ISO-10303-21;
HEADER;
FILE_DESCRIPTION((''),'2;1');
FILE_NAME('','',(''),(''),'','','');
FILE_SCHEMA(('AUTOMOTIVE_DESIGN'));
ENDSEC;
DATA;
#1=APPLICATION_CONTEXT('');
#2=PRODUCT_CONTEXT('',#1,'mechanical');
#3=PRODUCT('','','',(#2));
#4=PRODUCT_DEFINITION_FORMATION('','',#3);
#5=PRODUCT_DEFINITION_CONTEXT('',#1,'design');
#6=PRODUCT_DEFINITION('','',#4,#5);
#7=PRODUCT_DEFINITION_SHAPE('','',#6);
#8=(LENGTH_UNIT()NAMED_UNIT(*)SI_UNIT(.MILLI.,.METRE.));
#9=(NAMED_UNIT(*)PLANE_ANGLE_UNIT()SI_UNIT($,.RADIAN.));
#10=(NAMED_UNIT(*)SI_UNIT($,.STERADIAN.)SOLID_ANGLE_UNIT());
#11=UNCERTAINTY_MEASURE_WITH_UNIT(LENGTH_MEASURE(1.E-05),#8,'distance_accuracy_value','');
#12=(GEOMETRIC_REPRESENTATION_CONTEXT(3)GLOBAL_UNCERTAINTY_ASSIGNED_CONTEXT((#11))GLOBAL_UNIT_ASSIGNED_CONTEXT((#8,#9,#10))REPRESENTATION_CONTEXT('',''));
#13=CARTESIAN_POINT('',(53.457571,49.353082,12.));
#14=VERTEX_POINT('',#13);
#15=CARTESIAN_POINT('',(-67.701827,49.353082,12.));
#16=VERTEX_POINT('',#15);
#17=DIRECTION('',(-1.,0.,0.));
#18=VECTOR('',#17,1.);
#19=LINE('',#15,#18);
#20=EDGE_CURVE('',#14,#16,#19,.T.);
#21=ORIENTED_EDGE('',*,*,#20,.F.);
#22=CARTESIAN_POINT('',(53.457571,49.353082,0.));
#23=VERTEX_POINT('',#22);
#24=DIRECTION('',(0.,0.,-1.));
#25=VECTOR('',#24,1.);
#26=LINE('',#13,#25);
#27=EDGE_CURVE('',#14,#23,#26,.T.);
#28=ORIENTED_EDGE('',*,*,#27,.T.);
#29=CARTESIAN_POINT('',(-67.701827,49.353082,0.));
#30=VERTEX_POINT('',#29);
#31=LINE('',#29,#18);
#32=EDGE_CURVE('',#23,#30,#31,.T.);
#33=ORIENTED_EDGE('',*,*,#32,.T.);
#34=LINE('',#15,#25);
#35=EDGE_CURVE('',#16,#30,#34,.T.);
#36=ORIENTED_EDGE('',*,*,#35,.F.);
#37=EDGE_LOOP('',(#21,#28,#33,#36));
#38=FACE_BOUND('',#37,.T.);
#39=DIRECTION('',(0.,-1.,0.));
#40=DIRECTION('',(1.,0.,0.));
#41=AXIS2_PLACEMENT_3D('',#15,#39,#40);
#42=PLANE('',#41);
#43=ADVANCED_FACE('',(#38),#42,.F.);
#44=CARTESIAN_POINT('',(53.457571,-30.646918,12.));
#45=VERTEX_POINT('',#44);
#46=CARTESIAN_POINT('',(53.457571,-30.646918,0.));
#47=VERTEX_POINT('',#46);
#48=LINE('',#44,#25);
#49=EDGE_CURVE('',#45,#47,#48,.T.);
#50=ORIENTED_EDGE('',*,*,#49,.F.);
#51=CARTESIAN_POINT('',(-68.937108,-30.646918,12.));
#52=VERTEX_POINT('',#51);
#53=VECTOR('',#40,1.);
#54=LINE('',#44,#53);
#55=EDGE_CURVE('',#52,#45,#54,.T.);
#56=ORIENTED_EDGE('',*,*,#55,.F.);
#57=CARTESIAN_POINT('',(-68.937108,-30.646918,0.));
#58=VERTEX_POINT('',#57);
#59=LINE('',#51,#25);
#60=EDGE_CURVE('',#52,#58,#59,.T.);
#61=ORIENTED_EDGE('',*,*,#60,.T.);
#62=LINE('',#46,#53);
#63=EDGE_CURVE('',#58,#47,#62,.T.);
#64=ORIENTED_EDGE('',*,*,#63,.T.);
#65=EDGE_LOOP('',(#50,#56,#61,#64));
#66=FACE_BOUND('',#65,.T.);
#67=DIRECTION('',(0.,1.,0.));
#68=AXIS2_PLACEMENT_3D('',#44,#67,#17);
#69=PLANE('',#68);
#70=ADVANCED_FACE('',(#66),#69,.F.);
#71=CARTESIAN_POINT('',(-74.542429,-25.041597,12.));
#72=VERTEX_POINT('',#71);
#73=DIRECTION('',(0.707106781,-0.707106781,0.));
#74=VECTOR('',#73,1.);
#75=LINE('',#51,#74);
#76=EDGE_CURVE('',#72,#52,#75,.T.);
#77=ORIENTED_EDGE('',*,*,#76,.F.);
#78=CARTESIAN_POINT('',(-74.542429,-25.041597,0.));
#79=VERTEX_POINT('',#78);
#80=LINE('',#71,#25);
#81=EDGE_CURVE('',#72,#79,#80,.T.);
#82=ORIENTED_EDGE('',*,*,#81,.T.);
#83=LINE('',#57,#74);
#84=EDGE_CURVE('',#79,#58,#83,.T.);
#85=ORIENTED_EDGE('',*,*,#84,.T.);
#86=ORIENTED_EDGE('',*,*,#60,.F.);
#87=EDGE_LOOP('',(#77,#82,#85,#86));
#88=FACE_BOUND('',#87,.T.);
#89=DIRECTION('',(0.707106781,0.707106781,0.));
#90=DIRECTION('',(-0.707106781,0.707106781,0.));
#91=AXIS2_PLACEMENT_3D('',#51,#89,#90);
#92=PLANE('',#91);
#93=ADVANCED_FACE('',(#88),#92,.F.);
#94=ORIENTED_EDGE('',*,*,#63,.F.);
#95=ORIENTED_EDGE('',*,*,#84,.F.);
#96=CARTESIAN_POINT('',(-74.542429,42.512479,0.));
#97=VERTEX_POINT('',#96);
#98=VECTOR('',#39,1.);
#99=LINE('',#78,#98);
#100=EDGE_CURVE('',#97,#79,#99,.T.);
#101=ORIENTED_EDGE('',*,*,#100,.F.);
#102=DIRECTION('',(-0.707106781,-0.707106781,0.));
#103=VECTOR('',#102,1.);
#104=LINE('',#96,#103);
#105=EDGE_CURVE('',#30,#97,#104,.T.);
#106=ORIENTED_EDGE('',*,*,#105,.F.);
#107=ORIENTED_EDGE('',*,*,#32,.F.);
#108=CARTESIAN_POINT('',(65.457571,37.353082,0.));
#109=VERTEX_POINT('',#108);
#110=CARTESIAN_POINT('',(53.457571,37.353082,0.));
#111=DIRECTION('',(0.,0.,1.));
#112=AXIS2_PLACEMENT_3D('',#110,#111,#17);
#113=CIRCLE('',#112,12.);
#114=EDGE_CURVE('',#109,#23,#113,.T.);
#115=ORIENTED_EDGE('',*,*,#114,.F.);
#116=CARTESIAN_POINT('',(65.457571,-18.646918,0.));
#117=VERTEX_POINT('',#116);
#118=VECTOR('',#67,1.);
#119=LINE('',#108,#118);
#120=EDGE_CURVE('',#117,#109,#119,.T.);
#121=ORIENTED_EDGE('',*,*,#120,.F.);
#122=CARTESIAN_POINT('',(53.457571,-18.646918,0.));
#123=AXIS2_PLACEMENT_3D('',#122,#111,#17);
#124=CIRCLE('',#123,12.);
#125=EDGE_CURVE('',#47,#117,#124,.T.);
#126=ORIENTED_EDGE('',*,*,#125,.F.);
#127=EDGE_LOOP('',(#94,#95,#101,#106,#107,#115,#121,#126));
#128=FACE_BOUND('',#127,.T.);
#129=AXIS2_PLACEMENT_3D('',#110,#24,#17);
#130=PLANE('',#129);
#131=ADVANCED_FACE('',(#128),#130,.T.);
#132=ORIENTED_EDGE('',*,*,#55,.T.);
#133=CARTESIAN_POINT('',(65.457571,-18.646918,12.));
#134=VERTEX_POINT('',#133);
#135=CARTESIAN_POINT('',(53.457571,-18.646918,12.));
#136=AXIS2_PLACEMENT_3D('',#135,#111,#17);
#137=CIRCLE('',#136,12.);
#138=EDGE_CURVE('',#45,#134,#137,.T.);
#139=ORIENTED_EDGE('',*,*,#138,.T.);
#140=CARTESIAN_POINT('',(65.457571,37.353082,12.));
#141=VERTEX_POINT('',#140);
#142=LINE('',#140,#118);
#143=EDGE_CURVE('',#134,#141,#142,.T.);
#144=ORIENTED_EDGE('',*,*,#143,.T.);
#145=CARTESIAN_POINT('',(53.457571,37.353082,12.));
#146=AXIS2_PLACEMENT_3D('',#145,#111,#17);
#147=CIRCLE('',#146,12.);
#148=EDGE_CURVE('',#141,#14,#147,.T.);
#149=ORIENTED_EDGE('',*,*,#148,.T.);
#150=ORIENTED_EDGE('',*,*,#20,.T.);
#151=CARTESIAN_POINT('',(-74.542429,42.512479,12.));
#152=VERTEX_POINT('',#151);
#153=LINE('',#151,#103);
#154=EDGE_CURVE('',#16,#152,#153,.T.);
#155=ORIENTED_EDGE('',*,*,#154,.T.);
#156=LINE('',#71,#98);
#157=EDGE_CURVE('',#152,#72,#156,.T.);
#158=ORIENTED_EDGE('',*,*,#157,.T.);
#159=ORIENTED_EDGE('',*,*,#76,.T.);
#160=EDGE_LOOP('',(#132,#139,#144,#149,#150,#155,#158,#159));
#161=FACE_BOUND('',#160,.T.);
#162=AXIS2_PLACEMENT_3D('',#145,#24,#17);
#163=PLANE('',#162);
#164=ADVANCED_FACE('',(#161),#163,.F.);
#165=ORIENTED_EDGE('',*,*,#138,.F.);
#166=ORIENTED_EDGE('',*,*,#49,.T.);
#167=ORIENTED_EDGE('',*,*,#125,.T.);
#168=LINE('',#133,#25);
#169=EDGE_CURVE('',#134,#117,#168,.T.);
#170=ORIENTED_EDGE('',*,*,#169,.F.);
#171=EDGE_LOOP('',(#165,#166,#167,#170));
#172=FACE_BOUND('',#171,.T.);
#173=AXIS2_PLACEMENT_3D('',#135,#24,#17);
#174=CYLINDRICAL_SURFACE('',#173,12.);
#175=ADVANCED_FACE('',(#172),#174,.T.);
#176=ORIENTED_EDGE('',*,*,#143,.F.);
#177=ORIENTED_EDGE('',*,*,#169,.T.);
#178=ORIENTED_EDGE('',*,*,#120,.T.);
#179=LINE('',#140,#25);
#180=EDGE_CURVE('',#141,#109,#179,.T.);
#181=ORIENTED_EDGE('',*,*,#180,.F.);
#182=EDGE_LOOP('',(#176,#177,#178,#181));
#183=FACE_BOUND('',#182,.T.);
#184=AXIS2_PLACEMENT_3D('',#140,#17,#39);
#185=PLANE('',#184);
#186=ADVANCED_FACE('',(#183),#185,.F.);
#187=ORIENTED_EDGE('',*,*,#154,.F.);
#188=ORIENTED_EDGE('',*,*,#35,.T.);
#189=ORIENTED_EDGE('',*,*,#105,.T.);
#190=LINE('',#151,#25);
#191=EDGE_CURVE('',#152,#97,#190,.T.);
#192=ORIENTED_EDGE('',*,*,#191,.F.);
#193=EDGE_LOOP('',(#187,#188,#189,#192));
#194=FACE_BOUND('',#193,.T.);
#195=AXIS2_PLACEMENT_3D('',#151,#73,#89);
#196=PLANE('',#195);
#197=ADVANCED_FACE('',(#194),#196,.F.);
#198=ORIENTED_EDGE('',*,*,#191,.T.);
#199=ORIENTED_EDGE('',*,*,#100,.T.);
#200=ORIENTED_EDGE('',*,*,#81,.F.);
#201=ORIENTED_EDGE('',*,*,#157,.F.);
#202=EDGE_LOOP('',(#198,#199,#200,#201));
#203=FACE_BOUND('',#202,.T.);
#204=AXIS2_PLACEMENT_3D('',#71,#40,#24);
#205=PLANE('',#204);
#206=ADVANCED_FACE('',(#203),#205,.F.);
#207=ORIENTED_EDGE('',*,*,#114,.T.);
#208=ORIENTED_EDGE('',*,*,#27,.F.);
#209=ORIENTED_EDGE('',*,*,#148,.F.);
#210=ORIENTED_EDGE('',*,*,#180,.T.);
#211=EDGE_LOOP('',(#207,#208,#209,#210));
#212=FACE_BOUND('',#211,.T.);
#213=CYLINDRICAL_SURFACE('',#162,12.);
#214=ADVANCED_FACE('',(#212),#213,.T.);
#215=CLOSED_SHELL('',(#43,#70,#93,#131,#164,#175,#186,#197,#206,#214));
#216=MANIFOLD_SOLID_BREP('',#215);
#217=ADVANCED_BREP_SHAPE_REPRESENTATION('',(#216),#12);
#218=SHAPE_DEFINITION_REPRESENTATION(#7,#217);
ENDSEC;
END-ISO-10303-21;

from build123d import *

# Parameters (mm, degrees)
BOSS_EXTRUDE1_DEPTH = 12


with BuildPart() as part:
    # Sketch1 → Boss-Extrude1 (new body)
    with BuildSketch(Plane.XY):
        with BuildLine():
            Line((-74.542429285, 42.512479201), (-67.701826964, 49.353081522))
            Line((-67.701826964, 49.353081522), (53.457570715, 49.353081522))
            ThreePointArc((53.457570715, 49.353081522), (61.94285209, 45.838362896), (65.457570715, 37.353081522))
            Line((65.457570715, 37.353081522), (65.457570715, -18.646918478))
            ThreePointArc((65.457570715, -18.646918478), (61.94285209, -27.132199852), (53.457570715, -30.646918478))
            Line((53.457570715, -30.646918478), (-68.937108144, -30.646918478))
            Line((-68.937108144, -30.646918478), (-74.542429285, -25.041597338))
            Line((-74.542429285, -25.041597338), (-74.542429285, 42.512479201))
        make_face()
    extrude(amount=BOSS_EXTRUDE1_DEPTH)


solid = part.part
